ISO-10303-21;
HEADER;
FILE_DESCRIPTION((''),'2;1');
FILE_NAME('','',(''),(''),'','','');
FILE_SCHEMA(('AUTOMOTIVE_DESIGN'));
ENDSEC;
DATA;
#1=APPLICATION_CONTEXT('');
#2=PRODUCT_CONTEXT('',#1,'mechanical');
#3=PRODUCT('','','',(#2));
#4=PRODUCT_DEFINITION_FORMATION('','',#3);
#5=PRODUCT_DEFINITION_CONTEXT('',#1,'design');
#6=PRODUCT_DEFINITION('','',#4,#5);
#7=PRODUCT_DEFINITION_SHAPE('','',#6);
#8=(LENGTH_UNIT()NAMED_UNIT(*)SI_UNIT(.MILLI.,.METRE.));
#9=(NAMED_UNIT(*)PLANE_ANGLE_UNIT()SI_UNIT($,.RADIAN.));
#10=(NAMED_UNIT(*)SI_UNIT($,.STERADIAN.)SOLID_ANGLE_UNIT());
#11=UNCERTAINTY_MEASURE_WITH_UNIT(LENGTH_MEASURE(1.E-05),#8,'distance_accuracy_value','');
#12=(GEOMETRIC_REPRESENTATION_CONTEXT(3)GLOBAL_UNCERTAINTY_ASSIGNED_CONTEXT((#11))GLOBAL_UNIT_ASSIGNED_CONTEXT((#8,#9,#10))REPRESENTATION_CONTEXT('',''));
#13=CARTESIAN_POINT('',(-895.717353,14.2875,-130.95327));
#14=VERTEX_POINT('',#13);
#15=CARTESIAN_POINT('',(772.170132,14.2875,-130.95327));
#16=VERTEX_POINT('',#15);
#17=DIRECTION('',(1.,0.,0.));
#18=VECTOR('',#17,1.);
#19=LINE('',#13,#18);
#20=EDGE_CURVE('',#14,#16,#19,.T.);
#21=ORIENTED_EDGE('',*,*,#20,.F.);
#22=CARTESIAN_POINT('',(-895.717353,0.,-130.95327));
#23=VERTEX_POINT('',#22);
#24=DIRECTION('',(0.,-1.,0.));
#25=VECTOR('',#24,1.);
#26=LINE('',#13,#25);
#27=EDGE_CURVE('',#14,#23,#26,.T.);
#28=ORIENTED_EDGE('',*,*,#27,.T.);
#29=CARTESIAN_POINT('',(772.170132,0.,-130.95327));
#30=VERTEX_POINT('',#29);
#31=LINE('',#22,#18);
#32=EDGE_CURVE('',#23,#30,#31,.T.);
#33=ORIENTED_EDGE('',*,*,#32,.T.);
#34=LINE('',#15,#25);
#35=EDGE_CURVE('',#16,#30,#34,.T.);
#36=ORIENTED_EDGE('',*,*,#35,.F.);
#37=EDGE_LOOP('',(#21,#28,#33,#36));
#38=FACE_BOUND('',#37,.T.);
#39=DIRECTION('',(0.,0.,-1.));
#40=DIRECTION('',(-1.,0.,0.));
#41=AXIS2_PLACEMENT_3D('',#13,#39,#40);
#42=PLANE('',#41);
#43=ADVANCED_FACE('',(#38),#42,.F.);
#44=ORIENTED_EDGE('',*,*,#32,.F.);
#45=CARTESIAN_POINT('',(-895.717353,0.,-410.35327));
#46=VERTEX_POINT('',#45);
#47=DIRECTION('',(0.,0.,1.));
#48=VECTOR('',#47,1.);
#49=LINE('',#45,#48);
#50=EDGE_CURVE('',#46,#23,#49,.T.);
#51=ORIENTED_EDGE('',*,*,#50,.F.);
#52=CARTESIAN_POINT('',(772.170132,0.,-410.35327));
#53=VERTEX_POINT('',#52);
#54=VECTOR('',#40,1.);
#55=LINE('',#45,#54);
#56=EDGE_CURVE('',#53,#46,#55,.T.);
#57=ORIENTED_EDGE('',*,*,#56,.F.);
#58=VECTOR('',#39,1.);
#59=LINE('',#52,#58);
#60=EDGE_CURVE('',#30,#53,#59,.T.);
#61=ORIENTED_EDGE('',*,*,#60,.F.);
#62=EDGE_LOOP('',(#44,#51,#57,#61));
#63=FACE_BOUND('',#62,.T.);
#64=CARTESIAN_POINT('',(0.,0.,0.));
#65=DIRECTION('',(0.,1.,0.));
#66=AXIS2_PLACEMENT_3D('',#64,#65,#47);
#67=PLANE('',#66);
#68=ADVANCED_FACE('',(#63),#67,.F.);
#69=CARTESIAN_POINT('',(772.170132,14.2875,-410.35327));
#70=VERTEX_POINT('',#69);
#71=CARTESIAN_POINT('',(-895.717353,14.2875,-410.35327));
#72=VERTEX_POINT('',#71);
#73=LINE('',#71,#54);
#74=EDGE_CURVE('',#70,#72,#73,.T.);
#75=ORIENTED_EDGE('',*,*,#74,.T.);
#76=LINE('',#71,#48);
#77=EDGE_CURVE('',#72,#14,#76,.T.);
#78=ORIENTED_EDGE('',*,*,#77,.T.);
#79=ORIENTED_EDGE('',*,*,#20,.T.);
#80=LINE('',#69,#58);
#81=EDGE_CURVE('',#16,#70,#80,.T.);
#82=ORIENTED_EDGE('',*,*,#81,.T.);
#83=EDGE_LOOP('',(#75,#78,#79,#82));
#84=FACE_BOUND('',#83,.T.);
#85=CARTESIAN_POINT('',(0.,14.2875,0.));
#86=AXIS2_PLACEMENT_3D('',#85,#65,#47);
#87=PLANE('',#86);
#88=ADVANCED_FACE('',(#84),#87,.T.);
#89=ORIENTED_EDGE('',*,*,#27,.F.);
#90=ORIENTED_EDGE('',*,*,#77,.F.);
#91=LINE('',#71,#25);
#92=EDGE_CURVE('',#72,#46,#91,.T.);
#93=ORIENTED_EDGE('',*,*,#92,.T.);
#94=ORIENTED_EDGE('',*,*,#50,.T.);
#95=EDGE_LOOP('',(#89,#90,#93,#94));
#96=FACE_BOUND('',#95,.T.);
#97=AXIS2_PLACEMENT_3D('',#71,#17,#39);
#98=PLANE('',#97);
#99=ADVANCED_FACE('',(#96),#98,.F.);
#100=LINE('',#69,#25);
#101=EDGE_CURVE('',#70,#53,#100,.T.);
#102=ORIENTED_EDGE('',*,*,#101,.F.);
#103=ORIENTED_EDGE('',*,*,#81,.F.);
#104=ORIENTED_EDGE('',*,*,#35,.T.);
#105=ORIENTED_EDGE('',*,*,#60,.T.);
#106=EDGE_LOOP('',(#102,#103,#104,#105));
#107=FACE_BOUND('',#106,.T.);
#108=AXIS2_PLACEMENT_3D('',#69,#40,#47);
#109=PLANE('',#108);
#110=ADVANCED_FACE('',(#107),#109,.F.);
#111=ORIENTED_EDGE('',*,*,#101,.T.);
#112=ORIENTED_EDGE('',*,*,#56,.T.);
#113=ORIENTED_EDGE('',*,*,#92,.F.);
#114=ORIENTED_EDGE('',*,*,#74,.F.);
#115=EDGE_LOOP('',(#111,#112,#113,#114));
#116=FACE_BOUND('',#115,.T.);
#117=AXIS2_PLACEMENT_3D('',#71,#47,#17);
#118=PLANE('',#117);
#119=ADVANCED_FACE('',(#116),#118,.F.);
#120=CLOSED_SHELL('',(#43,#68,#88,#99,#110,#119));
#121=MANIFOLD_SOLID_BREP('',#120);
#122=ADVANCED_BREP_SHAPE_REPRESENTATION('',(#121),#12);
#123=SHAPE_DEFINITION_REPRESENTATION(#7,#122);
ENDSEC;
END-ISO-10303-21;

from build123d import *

# Parameters (mm, degrees)
SKETCH1_W           = 1667.887484894
SKETCH1_H           = 279.4
BOSS_EXTRUDE1_DEPTH = 14.2875


with BuildPart() as part:
    # Sketch1 → Boss-Extrude1 (new body)
    with BuildSketch(Plane(origin=(0, 0, 0), x_dir=(1, 0, 0), z_dir=(0, 1, 0))):
        with Locations((-61.773610552, 270.653270093)):
            Rectangle(SKETCH1_W, SKETCH1_H)
    extrude(amount=BOSS_EXTRUDE1_DEPTH)


solid = part.part
